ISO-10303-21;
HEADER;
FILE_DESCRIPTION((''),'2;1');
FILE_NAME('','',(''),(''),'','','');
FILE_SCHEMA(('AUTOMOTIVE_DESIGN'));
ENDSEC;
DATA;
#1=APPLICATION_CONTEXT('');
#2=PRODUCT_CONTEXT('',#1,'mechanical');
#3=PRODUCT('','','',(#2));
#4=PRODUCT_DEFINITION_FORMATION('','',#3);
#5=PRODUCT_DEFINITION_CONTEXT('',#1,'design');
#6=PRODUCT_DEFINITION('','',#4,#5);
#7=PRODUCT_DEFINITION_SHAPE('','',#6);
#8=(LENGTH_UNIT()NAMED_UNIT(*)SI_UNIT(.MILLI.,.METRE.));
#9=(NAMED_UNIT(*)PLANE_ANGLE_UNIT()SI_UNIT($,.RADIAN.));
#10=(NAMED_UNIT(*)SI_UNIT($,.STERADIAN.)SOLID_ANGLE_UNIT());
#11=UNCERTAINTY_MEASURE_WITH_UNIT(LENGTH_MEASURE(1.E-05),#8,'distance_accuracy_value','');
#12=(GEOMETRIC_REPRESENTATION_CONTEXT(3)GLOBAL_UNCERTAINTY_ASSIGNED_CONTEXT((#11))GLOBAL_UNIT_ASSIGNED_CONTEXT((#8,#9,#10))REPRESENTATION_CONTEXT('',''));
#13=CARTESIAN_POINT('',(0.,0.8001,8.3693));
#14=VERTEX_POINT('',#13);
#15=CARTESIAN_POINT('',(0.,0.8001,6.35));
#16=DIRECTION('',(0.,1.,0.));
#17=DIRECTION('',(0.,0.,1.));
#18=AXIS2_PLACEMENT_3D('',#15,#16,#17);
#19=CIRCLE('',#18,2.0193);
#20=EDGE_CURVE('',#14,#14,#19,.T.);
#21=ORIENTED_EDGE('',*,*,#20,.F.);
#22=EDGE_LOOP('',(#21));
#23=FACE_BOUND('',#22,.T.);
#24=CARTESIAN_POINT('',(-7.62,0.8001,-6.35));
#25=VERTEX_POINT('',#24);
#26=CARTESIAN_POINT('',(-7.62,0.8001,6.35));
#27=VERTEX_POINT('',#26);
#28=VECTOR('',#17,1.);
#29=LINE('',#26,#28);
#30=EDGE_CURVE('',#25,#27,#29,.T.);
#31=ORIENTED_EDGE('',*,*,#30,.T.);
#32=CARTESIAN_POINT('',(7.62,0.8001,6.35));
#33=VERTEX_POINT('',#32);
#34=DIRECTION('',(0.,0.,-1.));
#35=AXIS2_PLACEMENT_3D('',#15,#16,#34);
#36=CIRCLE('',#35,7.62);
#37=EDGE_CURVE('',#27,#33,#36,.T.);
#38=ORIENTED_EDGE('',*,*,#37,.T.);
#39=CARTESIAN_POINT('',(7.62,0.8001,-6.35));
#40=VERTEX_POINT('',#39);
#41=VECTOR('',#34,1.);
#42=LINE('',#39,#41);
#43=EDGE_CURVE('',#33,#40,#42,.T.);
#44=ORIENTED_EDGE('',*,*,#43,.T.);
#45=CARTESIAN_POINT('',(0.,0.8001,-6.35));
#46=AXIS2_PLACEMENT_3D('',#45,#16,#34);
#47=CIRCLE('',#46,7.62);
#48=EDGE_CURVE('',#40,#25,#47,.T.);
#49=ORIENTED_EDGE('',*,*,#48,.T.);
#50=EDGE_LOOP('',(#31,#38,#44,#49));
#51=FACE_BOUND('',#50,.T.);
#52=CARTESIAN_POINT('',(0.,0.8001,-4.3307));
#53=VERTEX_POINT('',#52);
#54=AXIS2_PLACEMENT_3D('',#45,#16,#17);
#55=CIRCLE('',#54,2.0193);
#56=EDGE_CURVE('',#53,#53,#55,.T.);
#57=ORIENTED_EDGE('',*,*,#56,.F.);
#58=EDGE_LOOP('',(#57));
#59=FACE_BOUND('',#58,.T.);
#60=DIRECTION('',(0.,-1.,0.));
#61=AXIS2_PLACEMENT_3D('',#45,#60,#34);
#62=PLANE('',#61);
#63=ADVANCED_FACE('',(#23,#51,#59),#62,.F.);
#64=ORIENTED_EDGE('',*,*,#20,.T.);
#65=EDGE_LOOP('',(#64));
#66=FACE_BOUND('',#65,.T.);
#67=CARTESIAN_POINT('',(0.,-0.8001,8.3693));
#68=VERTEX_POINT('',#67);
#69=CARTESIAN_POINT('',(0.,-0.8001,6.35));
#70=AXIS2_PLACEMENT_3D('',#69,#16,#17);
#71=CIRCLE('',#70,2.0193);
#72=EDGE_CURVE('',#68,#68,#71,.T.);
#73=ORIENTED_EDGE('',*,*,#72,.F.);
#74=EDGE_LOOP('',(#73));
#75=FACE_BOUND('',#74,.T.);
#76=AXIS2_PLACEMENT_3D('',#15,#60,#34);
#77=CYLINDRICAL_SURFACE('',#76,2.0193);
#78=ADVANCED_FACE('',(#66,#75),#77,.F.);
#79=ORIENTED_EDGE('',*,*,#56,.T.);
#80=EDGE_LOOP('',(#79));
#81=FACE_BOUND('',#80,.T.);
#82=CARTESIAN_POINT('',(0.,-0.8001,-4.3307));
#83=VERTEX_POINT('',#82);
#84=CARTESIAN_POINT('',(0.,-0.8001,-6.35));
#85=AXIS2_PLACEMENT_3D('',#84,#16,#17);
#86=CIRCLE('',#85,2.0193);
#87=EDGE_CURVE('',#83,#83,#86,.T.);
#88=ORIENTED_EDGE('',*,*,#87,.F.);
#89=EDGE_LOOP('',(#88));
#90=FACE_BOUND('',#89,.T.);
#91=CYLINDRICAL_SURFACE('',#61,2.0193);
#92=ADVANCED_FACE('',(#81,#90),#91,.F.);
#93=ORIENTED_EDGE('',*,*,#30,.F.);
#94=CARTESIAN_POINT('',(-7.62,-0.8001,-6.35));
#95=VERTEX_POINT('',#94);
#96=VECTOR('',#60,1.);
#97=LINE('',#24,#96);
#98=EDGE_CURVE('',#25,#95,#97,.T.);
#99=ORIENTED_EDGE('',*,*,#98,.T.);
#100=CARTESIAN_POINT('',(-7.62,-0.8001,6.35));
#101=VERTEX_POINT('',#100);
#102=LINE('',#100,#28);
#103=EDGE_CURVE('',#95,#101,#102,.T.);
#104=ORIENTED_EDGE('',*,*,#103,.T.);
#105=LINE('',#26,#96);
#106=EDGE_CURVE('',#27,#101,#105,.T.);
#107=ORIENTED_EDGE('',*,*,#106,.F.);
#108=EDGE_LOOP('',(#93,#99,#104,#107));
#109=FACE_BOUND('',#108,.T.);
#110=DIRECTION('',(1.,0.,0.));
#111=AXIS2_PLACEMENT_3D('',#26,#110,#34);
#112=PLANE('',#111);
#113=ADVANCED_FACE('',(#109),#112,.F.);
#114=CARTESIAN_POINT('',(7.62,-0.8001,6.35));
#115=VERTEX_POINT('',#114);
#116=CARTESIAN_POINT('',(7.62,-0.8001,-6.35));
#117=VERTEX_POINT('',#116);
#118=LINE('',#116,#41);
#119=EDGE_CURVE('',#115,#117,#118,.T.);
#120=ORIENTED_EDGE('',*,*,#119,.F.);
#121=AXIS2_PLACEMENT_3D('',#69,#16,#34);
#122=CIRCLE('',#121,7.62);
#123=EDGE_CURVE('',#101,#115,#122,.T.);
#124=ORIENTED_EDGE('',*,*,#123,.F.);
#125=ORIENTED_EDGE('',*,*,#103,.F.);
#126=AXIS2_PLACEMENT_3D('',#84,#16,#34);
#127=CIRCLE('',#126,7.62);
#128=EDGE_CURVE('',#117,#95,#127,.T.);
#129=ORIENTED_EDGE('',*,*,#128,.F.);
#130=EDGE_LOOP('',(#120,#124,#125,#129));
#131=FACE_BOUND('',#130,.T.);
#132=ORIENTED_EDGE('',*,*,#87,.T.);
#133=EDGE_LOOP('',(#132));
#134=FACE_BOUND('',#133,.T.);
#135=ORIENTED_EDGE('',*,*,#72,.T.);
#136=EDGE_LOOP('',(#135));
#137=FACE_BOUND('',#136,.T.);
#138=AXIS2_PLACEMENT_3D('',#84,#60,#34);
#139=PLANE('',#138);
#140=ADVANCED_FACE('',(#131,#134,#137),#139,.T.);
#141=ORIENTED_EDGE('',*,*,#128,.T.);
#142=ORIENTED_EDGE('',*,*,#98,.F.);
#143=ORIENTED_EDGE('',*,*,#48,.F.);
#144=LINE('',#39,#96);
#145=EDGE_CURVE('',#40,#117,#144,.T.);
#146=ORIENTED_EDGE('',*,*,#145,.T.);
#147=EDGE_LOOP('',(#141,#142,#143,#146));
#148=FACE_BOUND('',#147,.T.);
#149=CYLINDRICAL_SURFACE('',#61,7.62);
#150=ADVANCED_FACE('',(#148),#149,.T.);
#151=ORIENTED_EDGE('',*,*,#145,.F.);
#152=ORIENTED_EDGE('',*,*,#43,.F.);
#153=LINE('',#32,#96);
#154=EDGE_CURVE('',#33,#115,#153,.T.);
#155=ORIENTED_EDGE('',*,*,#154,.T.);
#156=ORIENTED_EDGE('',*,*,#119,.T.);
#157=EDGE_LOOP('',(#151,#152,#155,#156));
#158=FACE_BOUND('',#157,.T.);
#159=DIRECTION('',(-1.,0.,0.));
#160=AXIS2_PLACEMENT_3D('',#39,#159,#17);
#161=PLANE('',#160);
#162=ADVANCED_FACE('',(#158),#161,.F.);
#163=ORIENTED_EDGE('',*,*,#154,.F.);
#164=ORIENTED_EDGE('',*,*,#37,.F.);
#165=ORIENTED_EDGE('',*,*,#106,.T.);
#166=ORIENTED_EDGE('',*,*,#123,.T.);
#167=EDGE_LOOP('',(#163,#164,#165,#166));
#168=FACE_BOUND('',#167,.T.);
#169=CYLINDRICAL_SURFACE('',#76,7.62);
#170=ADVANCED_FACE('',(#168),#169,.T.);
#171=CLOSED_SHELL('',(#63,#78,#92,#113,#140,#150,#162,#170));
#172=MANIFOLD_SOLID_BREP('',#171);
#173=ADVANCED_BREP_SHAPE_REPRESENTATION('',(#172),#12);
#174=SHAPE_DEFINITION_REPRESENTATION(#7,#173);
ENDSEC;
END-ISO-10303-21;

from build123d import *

# Parameters (mm, degrees)
SKETCH1_R           = 2.0193
BOSS_EXTRUDE1_DEPTH = 0.8001


with BuildPart() as part:
    # Sketch1 → Boss-Extrude1 (new body, symmetric)
    with BuildSketch(Plane(origin=(0, 0, 0), x_dir=(1, 0, 0), z_dir=(0, 1, 0))):
        with BuildLine():
            Line((-7.62, -6.35), (-7.62, 6.35))
            ThreePointArc((-7.62, 6.35), (0, 13.97), (7.62, 6.35))
            Line((7.62, 6.35), (7.62, -6.35))
            ThreePointArc((7.62, -6.35), (0, -13.97), (-7.62, -6.35))
        make_face()
        with Locations((0, 6.35)):
            Circle(SKETCH1_R, mode=Mode.SUBTRACT)
        with Locations((0, -6.35)):
            Circle(SKETCH1_R, mode=Mode.SUBTRACT)
    extrude(amount=BOSS_EXTRUDE1_DEPTH, both=True)


solid = part.part
